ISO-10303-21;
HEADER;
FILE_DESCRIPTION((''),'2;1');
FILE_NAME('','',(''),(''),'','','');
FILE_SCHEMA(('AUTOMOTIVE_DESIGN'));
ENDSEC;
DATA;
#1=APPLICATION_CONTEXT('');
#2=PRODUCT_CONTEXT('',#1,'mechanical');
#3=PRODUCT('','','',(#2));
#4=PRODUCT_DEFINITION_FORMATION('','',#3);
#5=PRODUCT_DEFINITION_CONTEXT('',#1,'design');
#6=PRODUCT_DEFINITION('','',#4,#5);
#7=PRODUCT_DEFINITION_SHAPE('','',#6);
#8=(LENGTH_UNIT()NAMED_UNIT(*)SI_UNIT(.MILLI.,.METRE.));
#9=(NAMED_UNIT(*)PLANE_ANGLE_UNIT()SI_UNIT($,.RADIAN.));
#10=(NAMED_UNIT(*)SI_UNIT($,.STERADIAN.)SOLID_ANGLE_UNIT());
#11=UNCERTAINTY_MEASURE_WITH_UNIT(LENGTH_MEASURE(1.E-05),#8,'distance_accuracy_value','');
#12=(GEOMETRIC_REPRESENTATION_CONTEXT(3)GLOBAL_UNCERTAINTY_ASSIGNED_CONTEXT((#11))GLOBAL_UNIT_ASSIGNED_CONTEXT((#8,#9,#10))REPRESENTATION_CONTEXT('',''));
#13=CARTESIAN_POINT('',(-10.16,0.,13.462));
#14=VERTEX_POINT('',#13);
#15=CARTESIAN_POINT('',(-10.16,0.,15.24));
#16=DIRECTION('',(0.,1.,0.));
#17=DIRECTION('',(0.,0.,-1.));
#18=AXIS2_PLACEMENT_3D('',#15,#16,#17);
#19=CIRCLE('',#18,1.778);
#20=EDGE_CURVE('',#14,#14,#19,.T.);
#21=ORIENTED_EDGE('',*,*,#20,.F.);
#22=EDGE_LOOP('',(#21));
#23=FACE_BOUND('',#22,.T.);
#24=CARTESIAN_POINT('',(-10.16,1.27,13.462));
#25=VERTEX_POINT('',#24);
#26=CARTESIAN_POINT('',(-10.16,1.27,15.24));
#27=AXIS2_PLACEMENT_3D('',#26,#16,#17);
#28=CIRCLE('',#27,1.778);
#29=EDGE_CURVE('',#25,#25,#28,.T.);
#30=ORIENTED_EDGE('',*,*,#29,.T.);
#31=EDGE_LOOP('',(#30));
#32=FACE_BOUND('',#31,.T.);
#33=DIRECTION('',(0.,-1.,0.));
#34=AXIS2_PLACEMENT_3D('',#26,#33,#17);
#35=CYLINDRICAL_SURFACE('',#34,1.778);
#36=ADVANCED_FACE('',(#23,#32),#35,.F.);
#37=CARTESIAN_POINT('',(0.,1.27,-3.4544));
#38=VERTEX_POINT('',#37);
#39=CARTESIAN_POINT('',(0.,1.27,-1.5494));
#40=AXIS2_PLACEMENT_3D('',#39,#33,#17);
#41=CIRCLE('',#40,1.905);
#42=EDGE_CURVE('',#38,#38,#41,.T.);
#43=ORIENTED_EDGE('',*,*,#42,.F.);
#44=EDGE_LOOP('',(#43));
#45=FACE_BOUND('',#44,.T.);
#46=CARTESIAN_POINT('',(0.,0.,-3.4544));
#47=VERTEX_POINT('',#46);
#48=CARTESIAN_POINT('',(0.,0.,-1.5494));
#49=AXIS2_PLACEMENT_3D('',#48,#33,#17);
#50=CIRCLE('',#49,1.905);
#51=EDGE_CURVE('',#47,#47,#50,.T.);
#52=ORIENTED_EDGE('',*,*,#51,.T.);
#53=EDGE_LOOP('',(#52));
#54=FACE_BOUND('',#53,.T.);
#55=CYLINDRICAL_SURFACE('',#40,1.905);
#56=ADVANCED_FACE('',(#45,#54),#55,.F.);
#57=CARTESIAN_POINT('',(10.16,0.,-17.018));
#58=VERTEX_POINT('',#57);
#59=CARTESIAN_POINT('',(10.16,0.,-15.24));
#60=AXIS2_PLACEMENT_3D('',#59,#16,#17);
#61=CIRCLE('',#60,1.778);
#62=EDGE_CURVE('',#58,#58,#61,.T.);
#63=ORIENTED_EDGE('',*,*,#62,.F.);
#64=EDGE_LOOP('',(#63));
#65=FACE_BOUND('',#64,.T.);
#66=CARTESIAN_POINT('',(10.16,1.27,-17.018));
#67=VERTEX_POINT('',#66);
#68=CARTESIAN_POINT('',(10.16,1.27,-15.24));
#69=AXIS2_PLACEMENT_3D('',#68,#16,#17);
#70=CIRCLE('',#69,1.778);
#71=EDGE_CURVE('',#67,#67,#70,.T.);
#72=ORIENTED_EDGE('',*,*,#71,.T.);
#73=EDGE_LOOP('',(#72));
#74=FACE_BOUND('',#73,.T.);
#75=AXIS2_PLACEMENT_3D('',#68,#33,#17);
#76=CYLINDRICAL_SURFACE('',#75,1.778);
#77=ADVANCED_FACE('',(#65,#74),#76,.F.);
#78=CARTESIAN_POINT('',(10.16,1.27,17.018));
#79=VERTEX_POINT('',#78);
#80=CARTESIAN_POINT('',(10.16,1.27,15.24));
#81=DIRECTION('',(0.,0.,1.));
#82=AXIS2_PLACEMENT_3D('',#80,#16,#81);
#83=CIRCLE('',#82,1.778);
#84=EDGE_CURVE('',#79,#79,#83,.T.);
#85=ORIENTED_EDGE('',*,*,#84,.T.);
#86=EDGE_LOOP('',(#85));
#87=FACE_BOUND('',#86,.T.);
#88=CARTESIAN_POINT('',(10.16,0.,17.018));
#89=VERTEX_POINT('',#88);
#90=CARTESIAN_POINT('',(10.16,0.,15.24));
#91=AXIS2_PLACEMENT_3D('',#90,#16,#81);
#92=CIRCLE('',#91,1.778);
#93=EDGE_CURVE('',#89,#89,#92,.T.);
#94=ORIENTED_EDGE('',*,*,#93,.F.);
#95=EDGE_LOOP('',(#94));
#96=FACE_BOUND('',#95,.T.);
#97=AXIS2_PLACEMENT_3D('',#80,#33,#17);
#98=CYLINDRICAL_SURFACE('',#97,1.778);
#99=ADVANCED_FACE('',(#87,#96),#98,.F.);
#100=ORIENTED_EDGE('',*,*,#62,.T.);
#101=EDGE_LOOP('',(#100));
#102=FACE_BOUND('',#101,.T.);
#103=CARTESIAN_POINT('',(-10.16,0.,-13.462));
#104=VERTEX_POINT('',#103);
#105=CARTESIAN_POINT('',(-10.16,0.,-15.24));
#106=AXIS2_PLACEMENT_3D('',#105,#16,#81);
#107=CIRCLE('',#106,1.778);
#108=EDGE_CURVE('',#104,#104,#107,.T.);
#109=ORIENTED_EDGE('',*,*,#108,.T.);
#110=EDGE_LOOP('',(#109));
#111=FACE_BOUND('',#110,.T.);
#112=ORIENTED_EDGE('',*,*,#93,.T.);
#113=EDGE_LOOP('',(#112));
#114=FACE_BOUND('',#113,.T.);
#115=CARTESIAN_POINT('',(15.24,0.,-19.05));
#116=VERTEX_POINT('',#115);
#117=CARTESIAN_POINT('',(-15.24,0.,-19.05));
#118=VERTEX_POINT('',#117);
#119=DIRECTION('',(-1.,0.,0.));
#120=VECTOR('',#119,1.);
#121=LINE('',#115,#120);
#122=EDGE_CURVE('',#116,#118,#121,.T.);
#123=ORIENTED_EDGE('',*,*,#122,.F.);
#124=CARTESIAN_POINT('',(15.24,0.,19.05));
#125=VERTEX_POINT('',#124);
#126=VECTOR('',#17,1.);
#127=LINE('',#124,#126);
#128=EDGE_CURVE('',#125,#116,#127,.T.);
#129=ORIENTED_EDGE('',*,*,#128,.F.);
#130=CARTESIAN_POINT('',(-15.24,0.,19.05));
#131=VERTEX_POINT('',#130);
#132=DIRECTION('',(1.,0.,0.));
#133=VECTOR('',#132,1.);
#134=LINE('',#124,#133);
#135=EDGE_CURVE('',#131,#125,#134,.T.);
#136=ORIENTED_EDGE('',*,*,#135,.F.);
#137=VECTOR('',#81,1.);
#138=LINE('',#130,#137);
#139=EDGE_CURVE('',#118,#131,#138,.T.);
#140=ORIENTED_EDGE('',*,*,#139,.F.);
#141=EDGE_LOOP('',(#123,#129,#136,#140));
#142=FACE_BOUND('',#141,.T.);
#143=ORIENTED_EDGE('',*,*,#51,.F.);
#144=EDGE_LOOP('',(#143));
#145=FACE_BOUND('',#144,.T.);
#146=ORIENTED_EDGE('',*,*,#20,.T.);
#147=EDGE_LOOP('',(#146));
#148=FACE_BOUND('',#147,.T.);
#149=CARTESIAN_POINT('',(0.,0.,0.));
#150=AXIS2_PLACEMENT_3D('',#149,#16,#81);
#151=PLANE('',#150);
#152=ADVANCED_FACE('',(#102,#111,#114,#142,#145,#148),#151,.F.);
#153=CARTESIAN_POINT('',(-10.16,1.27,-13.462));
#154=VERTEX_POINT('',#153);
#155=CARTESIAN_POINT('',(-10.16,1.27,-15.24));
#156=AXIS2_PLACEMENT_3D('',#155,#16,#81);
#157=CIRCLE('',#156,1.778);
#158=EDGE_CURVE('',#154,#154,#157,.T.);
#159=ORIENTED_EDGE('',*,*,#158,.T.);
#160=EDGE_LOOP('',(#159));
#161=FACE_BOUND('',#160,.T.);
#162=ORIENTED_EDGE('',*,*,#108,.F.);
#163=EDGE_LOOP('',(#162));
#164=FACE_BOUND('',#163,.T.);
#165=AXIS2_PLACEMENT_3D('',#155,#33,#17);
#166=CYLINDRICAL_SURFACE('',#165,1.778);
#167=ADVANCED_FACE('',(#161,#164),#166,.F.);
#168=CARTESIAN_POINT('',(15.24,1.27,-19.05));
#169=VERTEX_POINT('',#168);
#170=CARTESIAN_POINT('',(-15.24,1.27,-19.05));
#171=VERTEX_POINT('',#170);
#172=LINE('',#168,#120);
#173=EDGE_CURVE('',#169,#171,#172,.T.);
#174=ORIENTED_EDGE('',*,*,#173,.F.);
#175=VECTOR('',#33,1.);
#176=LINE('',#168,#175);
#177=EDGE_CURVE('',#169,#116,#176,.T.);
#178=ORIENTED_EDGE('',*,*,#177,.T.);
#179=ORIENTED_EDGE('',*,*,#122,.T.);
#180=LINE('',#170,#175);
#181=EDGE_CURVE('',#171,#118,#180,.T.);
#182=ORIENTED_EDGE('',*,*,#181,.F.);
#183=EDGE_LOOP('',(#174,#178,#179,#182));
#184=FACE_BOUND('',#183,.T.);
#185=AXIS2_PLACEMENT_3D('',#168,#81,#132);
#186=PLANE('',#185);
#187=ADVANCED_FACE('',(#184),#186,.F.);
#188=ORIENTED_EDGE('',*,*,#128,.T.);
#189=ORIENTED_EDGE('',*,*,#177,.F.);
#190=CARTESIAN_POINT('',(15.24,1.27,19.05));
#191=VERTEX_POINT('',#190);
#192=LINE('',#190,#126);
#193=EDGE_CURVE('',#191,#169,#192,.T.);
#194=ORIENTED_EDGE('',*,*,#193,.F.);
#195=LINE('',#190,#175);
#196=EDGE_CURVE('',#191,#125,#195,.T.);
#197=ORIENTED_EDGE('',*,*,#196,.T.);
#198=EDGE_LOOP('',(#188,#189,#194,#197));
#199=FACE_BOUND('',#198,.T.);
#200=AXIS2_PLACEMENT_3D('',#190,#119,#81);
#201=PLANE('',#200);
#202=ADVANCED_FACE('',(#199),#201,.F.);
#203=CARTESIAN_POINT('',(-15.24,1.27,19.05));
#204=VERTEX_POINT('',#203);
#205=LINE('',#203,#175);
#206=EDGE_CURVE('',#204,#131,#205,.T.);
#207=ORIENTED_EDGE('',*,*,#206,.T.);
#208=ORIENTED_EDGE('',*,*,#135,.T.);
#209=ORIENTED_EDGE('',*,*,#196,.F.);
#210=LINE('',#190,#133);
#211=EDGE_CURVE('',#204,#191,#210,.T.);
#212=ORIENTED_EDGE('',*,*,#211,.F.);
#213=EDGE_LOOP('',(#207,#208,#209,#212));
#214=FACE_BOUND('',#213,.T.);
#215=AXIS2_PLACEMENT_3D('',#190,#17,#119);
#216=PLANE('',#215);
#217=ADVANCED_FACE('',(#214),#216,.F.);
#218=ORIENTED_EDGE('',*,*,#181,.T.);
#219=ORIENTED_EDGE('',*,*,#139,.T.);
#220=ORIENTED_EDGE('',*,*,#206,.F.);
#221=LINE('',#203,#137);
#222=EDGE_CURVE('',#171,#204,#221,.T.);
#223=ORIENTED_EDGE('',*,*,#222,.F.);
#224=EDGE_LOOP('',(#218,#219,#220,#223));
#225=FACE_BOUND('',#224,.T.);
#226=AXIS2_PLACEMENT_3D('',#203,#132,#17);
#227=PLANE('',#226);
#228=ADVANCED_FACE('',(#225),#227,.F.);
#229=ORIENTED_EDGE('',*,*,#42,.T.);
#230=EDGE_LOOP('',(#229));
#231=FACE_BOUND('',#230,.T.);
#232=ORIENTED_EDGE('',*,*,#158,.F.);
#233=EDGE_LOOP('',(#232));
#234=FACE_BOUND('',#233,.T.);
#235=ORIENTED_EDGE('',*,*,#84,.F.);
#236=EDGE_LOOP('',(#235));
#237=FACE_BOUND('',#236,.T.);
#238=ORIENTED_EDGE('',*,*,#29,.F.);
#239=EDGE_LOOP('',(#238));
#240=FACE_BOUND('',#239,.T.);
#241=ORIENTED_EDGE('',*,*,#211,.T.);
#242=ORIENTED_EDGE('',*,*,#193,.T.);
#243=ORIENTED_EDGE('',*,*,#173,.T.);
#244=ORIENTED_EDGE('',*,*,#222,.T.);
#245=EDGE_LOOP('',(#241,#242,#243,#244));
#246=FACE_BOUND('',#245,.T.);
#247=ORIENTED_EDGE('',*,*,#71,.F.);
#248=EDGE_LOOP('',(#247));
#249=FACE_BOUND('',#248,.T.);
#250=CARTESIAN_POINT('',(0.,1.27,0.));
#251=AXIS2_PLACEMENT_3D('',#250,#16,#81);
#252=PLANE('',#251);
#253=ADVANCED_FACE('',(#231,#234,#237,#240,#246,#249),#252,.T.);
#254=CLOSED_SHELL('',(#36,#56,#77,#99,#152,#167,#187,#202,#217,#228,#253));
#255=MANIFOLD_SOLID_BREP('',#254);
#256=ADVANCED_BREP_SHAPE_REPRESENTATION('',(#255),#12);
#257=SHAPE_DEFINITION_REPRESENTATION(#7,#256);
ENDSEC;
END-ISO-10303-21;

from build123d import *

# Parameters (mm, degrees)
SKETCH1_W           = 30.48
SKETCH1_H           = 38.1
SKETCH1_R           = 1.778
BOSS_EXTRUDE1_DEPTH = 1.27
SKETCH2_R           = 1.778
SKETCH2_R_2         = 1.905
CUT_EXTRUDE1_DEPTH  = 25.428937758


with BuildPart() as part:
    # Sketch1 → Boss-Extrude1 (new body)
    with BuildSketch(Plane(origin=(0, 0, 0), x_dir=(1, 0, 0), z_dir=(0, 1, 0))):
        Rectangle(SKETCH1_W, SKETCH1_H)
        with Locations(Location((-10.16, 15.24, 0), (0, 0, 270))):
            Circle(SKETCH1_R, mode=Mode.SUBTRACT)
        with Locations(Location((10.16, 15.24, 0), (0, 0, 90))):
            Circle(SKETCH1_R, mode=Mode.SUBTRACT)
        with Locations(Location((-10.16, -15.24, 0), (0, 0, 90))):
            Circle(SKETCH1_R, mode=Mode.SUBTRACT)
        with Locations(Location((10.16, -15.24, 0), (0, 0, 270))):
            Circle(SKETCH1_R, mode=Mode.SUBTRACT)
    extrude(amount=BOSS_EXTRUDE1_DEPTH)

    # Sketch2 → Cut-Extrude1 (cut, through all)
    with BuildSketch(Plane.XZ):
        with Locations(Location((-10.16, -15.24, 0), (0, 0, 90))):
            Circle(SKETCH2_R)
        with Locations(Location((10.16, -15.24, 0), (0, 0, 270))):
            Circle(SKETCH2_R)
        with Locations(Location((10.16, 15.24, 0), (0, 0, 90))):
            Circle(SKETCH2_R)
        with Locations(Location((-10.16, 15.24, 0), (0, 0, 270))):
            Circle(SKETCH2_R)
        with Locations(Location((0, -1.5494, 0), (0, 0, 270))):
            Circle(SKETCH2_R_2)
    extrude(amount=-CUT_EXTRUDE1_DEPTH, mode=Mode.SUBTRACT)


solid = part.part
